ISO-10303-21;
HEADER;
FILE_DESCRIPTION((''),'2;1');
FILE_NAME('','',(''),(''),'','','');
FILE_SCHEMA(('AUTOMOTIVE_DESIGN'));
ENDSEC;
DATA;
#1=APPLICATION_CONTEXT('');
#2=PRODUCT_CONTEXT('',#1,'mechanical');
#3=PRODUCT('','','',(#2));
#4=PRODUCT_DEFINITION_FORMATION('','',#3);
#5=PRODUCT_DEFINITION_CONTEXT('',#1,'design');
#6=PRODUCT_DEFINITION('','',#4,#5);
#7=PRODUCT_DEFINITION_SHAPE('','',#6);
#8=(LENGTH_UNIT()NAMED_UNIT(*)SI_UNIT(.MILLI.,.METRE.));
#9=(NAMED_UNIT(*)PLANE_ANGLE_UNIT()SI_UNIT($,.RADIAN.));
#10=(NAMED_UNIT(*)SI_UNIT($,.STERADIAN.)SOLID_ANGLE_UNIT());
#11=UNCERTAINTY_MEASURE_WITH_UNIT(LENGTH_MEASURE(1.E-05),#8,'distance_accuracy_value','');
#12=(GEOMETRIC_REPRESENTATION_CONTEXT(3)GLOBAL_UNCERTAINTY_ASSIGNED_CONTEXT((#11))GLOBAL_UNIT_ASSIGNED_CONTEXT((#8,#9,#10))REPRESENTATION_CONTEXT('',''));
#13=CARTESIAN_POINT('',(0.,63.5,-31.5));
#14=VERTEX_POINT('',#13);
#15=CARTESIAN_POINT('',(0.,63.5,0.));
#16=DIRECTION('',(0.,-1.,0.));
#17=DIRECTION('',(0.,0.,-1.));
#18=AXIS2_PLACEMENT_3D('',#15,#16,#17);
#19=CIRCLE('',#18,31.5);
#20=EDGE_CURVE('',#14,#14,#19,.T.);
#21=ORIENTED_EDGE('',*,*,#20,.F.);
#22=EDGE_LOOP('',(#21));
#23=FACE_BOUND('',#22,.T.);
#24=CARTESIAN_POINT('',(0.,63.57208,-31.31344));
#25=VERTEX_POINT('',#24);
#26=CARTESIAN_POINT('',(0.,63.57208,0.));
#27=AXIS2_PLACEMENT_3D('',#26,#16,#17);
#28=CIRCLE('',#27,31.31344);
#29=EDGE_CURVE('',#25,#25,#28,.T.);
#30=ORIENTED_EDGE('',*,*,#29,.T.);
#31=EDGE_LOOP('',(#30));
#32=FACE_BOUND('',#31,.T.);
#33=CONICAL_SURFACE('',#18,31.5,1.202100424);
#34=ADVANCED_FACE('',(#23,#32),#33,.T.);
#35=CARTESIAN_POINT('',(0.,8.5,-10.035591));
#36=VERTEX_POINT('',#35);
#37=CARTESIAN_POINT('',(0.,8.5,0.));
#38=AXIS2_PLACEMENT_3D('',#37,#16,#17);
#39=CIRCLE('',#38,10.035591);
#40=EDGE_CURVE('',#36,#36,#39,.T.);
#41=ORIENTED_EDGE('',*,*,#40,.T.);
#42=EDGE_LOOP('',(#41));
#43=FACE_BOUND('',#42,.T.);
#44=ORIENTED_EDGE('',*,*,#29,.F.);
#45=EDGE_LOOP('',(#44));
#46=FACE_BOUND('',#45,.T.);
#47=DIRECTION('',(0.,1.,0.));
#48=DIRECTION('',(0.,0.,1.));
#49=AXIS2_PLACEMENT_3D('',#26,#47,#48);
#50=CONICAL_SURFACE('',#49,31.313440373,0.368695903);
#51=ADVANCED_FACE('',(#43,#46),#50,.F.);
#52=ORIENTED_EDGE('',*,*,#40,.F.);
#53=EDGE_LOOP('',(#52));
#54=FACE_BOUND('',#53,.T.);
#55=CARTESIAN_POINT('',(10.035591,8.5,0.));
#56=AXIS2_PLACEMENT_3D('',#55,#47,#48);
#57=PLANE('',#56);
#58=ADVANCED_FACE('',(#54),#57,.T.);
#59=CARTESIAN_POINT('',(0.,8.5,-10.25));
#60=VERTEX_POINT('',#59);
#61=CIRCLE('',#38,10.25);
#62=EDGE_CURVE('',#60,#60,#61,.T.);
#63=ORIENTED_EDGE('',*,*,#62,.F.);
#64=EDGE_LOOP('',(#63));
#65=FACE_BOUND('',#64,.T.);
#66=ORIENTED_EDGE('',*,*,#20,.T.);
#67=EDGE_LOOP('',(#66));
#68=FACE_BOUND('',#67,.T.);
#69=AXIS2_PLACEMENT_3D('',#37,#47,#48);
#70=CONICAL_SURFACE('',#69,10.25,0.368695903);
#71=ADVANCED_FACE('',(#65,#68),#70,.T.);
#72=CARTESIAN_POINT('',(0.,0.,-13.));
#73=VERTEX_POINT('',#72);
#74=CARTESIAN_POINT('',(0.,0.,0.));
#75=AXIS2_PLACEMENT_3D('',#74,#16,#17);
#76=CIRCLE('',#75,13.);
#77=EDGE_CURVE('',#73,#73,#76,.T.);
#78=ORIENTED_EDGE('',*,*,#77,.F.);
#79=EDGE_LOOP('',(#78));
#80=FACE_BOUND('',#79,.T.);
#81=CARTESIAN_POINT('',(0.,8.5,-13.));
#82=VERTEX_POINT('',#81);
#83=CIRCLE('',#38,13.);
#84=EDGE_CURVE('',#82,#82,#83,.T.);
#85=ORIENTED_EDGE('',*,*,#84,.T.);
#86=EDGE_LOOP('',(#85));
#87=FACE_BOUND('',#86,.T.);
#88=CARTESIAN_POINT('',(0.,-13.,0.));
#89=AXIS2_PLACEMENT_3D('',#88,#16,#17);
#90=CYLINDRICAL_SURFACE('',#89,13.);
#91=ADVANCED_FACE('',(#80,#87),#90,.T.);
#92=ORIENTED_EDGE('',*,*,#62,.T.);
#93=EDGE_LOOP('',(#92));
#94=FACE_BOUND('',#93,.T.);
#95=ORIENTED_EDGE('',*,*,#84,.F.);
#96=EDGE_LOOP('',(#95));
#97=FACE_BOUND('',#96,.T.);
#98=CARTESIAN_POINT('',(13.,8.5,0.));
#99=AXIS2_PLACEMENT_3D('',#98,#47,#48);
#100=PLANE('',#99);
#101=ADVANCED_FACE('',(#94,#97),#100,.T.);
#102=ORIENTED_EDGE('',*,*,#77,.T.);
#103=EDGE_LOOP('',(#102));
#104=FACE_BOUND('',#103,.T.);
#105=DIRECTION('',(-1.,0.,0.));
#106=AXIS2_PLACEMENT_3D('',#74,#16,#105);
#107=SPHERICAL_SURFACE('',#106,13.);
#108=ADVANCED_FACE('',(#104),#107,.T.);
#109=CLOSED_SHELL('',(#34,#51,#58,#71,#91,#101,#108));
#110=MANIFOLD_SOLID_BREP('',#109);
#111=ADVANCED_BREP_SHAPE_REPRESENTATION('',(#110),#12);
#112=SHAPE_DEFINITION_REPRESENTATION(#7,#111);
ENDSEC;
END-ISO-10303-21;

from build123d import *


with BuildPart() as part:
    # Sketch1 → Revolve1 (revolve)
    with BuildSketch(Plane.XY):
        with BuildLine():
            Line((13, 8.5), (10.25, 8.5))
            Line((10.25, 8.5), (31.5, 63.5))
            Line((31.5, 63.5), (31.313440373, 63.572079856))
            Line((31.313440373, 63.572079856), (10.035591338, 8.5))
            Line((10.035591338, 8.5), (0, 8.5))
            Line((0, 8.5), (0, -13))
            ThreePointArc((0, -13), (9.192388155, -9.192388155), (13, 0))
            Line((13, 0), (13, 8.5))
        make_face()
    revolve(axis=Axis((0, -13, 0), (0, 1, 0)))


solid = part.part
